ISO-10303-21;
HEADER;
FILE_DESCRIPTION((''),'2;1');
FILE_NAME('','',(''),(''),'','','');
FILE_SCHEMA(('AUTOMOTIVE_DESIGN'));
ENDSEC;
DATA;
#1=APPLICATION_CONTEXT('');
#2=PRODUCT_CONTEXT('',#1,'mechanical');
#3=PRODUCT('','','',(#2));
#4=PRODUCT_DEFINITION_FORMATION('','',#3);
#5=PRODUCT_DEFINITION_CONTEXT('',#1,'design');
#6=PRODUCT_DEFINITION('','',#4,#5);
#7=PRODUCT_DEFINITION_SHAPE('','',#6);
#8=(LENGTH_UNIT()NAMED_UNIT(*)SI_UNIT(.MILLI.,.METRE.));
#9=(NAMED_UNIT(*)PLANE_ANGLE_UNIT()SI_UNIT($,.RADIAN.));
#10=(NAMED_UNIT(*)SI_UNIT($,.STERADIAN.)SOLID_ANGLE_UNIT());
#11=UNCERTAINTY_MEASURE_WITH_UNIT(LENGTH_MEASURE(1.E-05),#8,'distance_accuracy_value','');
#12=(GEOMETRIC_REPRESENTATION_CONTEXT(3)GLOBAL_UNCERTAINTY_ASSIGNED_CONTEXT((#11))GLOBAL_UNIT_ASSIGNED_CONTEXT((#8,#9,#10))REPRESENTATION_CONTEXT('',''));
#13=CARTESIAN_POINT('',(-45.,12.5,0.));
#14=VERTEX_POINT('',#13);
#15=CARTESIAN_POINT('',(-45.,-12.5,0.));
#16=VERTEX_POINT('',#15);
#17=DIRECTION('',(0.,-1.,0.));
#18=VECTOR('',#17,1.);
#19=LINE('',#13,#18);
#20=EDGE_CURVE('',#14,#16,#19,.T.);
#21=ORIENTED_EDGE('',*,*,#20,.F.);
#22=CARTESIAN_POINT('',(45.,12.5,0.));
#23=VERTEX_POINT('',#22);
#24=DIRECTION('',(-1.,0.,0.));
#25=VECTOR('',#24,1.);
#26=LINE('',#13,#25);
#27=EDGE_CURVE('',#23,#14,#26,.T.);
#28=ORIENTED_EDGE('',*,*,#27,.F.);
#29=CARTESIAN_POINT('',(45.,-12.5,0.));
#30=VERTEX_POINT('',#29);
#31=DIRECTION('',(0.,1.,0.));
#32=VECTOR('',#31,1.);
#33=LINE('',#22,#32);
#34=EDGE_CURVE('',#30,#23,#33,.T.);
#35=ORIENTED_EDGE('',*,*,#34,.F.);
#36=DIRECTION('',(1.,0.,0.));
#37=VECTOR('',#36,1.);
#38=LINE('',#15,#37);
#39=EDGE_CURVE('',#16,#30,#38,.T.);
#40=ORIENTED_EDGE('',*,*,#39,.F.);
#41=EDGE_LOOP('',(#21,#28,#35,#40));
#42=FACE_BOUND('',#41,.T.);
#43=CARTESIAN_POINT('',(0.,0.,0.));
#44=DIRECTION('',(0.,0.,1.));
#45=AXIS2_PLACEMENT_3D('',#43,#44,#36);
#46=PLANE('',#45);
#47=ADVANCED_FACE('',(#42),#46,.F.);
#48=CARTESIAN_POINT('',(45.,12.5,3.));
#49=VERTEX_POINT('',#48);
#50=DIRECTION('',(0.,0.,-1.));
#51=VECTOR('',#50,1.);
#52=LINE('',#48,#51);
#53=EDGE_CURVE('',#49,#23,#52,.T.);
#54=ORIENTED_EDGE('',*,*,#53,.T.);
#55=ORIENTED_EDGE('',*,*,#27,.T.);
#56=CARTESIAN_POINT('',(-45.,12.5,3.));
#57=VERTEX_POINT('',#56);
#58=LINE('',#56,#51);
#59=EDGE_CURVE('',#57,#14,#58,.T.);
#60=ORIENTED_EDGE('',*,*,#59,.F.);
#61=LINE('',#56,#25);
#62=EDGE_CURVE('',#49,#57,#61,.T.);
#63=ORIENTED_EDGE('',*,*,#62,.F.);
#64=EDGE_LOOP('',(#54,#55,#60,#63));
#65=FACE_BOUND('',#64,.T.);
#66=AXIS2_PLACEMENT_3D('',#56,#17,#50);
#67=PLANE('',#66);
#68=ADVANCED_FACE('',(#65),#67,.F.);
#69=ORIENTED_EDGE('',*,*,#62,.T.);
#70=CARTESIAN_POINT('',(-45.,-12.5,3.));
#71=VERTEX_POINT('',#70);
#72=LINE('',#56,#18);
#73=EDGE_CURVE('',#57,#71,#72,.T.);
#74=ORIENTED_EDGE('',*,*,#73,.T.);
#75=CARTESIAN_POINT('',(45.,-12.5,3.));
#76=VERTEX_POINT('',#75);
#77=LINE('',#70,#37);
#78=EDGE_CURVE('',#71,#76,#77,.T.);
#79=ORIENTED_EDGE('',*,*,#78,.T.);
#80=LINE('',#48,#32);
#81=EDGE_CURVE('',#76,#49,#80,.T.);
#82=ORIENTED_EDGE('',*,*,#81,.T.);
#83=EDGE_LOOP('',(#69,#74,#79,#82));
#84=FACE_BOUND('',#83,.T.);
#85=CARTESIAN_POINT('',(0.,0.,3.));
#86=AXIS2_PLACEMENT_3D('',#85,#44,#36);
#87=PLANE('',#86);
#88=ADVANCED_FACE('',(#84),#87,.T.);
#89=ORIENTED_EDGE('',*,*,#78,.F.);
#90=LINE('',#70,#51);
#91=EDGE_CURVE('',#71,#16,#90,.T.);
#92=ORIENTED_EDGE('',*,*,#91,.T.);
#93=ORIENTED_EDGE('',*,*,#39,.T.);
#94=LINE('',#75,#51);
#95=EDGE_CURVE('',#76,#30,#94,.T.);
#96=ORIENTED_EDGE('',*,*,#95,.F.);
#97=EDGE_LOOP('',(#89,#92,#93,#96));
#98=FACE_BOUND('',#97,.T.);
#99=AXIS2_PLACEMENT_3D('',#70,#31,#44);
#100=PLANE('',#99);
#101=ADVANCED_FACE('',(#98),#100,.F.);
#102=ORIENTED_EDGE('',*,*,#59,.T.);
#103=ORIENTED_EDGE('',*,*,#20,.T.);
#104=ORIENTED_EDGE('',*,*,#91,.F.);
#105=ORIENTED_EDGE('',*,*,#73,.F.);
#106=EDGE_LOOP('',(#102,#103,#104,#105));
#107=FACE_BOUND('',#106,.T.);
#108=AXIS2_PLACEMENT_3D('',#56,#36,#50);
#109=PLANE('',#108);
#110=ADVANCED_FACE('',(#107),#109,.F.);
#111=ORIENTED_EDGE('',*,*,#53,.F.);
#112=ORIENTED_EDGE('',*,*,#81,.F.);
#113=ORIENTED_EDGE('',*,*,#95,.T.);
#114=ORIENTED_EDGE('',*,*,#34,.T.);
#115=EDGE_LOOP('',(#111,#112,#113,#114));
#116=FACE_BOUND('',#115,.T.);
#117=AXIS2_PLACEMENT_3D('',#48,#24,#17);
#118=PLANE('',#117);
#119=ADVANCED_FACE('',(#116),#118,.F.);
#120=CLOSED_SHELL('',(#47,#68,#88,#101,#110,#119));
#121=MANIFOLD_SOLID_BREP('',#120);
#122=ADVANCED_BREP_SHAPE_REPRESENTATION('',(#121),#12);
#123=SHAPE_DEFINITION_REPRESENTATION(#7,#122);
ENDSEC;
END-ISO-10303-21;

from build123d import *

# Parameters (mm, degrees)
ESQUISSE1_W        = 90
ESQUISSE1_H        = 25
BOSS_EXTRU_1_DEPTH = 3


with BuildPart() as part:
    # Esquisse1 → Boss.-Extru.1 (new body)
    with BuildSketch(Plane.XY):
        Rectangle(ESQUISSE1_W, ESQUISSE1_H)
    extrude(amount=BOSS_EXTRU_1_DEPTH)


solid = part.part
